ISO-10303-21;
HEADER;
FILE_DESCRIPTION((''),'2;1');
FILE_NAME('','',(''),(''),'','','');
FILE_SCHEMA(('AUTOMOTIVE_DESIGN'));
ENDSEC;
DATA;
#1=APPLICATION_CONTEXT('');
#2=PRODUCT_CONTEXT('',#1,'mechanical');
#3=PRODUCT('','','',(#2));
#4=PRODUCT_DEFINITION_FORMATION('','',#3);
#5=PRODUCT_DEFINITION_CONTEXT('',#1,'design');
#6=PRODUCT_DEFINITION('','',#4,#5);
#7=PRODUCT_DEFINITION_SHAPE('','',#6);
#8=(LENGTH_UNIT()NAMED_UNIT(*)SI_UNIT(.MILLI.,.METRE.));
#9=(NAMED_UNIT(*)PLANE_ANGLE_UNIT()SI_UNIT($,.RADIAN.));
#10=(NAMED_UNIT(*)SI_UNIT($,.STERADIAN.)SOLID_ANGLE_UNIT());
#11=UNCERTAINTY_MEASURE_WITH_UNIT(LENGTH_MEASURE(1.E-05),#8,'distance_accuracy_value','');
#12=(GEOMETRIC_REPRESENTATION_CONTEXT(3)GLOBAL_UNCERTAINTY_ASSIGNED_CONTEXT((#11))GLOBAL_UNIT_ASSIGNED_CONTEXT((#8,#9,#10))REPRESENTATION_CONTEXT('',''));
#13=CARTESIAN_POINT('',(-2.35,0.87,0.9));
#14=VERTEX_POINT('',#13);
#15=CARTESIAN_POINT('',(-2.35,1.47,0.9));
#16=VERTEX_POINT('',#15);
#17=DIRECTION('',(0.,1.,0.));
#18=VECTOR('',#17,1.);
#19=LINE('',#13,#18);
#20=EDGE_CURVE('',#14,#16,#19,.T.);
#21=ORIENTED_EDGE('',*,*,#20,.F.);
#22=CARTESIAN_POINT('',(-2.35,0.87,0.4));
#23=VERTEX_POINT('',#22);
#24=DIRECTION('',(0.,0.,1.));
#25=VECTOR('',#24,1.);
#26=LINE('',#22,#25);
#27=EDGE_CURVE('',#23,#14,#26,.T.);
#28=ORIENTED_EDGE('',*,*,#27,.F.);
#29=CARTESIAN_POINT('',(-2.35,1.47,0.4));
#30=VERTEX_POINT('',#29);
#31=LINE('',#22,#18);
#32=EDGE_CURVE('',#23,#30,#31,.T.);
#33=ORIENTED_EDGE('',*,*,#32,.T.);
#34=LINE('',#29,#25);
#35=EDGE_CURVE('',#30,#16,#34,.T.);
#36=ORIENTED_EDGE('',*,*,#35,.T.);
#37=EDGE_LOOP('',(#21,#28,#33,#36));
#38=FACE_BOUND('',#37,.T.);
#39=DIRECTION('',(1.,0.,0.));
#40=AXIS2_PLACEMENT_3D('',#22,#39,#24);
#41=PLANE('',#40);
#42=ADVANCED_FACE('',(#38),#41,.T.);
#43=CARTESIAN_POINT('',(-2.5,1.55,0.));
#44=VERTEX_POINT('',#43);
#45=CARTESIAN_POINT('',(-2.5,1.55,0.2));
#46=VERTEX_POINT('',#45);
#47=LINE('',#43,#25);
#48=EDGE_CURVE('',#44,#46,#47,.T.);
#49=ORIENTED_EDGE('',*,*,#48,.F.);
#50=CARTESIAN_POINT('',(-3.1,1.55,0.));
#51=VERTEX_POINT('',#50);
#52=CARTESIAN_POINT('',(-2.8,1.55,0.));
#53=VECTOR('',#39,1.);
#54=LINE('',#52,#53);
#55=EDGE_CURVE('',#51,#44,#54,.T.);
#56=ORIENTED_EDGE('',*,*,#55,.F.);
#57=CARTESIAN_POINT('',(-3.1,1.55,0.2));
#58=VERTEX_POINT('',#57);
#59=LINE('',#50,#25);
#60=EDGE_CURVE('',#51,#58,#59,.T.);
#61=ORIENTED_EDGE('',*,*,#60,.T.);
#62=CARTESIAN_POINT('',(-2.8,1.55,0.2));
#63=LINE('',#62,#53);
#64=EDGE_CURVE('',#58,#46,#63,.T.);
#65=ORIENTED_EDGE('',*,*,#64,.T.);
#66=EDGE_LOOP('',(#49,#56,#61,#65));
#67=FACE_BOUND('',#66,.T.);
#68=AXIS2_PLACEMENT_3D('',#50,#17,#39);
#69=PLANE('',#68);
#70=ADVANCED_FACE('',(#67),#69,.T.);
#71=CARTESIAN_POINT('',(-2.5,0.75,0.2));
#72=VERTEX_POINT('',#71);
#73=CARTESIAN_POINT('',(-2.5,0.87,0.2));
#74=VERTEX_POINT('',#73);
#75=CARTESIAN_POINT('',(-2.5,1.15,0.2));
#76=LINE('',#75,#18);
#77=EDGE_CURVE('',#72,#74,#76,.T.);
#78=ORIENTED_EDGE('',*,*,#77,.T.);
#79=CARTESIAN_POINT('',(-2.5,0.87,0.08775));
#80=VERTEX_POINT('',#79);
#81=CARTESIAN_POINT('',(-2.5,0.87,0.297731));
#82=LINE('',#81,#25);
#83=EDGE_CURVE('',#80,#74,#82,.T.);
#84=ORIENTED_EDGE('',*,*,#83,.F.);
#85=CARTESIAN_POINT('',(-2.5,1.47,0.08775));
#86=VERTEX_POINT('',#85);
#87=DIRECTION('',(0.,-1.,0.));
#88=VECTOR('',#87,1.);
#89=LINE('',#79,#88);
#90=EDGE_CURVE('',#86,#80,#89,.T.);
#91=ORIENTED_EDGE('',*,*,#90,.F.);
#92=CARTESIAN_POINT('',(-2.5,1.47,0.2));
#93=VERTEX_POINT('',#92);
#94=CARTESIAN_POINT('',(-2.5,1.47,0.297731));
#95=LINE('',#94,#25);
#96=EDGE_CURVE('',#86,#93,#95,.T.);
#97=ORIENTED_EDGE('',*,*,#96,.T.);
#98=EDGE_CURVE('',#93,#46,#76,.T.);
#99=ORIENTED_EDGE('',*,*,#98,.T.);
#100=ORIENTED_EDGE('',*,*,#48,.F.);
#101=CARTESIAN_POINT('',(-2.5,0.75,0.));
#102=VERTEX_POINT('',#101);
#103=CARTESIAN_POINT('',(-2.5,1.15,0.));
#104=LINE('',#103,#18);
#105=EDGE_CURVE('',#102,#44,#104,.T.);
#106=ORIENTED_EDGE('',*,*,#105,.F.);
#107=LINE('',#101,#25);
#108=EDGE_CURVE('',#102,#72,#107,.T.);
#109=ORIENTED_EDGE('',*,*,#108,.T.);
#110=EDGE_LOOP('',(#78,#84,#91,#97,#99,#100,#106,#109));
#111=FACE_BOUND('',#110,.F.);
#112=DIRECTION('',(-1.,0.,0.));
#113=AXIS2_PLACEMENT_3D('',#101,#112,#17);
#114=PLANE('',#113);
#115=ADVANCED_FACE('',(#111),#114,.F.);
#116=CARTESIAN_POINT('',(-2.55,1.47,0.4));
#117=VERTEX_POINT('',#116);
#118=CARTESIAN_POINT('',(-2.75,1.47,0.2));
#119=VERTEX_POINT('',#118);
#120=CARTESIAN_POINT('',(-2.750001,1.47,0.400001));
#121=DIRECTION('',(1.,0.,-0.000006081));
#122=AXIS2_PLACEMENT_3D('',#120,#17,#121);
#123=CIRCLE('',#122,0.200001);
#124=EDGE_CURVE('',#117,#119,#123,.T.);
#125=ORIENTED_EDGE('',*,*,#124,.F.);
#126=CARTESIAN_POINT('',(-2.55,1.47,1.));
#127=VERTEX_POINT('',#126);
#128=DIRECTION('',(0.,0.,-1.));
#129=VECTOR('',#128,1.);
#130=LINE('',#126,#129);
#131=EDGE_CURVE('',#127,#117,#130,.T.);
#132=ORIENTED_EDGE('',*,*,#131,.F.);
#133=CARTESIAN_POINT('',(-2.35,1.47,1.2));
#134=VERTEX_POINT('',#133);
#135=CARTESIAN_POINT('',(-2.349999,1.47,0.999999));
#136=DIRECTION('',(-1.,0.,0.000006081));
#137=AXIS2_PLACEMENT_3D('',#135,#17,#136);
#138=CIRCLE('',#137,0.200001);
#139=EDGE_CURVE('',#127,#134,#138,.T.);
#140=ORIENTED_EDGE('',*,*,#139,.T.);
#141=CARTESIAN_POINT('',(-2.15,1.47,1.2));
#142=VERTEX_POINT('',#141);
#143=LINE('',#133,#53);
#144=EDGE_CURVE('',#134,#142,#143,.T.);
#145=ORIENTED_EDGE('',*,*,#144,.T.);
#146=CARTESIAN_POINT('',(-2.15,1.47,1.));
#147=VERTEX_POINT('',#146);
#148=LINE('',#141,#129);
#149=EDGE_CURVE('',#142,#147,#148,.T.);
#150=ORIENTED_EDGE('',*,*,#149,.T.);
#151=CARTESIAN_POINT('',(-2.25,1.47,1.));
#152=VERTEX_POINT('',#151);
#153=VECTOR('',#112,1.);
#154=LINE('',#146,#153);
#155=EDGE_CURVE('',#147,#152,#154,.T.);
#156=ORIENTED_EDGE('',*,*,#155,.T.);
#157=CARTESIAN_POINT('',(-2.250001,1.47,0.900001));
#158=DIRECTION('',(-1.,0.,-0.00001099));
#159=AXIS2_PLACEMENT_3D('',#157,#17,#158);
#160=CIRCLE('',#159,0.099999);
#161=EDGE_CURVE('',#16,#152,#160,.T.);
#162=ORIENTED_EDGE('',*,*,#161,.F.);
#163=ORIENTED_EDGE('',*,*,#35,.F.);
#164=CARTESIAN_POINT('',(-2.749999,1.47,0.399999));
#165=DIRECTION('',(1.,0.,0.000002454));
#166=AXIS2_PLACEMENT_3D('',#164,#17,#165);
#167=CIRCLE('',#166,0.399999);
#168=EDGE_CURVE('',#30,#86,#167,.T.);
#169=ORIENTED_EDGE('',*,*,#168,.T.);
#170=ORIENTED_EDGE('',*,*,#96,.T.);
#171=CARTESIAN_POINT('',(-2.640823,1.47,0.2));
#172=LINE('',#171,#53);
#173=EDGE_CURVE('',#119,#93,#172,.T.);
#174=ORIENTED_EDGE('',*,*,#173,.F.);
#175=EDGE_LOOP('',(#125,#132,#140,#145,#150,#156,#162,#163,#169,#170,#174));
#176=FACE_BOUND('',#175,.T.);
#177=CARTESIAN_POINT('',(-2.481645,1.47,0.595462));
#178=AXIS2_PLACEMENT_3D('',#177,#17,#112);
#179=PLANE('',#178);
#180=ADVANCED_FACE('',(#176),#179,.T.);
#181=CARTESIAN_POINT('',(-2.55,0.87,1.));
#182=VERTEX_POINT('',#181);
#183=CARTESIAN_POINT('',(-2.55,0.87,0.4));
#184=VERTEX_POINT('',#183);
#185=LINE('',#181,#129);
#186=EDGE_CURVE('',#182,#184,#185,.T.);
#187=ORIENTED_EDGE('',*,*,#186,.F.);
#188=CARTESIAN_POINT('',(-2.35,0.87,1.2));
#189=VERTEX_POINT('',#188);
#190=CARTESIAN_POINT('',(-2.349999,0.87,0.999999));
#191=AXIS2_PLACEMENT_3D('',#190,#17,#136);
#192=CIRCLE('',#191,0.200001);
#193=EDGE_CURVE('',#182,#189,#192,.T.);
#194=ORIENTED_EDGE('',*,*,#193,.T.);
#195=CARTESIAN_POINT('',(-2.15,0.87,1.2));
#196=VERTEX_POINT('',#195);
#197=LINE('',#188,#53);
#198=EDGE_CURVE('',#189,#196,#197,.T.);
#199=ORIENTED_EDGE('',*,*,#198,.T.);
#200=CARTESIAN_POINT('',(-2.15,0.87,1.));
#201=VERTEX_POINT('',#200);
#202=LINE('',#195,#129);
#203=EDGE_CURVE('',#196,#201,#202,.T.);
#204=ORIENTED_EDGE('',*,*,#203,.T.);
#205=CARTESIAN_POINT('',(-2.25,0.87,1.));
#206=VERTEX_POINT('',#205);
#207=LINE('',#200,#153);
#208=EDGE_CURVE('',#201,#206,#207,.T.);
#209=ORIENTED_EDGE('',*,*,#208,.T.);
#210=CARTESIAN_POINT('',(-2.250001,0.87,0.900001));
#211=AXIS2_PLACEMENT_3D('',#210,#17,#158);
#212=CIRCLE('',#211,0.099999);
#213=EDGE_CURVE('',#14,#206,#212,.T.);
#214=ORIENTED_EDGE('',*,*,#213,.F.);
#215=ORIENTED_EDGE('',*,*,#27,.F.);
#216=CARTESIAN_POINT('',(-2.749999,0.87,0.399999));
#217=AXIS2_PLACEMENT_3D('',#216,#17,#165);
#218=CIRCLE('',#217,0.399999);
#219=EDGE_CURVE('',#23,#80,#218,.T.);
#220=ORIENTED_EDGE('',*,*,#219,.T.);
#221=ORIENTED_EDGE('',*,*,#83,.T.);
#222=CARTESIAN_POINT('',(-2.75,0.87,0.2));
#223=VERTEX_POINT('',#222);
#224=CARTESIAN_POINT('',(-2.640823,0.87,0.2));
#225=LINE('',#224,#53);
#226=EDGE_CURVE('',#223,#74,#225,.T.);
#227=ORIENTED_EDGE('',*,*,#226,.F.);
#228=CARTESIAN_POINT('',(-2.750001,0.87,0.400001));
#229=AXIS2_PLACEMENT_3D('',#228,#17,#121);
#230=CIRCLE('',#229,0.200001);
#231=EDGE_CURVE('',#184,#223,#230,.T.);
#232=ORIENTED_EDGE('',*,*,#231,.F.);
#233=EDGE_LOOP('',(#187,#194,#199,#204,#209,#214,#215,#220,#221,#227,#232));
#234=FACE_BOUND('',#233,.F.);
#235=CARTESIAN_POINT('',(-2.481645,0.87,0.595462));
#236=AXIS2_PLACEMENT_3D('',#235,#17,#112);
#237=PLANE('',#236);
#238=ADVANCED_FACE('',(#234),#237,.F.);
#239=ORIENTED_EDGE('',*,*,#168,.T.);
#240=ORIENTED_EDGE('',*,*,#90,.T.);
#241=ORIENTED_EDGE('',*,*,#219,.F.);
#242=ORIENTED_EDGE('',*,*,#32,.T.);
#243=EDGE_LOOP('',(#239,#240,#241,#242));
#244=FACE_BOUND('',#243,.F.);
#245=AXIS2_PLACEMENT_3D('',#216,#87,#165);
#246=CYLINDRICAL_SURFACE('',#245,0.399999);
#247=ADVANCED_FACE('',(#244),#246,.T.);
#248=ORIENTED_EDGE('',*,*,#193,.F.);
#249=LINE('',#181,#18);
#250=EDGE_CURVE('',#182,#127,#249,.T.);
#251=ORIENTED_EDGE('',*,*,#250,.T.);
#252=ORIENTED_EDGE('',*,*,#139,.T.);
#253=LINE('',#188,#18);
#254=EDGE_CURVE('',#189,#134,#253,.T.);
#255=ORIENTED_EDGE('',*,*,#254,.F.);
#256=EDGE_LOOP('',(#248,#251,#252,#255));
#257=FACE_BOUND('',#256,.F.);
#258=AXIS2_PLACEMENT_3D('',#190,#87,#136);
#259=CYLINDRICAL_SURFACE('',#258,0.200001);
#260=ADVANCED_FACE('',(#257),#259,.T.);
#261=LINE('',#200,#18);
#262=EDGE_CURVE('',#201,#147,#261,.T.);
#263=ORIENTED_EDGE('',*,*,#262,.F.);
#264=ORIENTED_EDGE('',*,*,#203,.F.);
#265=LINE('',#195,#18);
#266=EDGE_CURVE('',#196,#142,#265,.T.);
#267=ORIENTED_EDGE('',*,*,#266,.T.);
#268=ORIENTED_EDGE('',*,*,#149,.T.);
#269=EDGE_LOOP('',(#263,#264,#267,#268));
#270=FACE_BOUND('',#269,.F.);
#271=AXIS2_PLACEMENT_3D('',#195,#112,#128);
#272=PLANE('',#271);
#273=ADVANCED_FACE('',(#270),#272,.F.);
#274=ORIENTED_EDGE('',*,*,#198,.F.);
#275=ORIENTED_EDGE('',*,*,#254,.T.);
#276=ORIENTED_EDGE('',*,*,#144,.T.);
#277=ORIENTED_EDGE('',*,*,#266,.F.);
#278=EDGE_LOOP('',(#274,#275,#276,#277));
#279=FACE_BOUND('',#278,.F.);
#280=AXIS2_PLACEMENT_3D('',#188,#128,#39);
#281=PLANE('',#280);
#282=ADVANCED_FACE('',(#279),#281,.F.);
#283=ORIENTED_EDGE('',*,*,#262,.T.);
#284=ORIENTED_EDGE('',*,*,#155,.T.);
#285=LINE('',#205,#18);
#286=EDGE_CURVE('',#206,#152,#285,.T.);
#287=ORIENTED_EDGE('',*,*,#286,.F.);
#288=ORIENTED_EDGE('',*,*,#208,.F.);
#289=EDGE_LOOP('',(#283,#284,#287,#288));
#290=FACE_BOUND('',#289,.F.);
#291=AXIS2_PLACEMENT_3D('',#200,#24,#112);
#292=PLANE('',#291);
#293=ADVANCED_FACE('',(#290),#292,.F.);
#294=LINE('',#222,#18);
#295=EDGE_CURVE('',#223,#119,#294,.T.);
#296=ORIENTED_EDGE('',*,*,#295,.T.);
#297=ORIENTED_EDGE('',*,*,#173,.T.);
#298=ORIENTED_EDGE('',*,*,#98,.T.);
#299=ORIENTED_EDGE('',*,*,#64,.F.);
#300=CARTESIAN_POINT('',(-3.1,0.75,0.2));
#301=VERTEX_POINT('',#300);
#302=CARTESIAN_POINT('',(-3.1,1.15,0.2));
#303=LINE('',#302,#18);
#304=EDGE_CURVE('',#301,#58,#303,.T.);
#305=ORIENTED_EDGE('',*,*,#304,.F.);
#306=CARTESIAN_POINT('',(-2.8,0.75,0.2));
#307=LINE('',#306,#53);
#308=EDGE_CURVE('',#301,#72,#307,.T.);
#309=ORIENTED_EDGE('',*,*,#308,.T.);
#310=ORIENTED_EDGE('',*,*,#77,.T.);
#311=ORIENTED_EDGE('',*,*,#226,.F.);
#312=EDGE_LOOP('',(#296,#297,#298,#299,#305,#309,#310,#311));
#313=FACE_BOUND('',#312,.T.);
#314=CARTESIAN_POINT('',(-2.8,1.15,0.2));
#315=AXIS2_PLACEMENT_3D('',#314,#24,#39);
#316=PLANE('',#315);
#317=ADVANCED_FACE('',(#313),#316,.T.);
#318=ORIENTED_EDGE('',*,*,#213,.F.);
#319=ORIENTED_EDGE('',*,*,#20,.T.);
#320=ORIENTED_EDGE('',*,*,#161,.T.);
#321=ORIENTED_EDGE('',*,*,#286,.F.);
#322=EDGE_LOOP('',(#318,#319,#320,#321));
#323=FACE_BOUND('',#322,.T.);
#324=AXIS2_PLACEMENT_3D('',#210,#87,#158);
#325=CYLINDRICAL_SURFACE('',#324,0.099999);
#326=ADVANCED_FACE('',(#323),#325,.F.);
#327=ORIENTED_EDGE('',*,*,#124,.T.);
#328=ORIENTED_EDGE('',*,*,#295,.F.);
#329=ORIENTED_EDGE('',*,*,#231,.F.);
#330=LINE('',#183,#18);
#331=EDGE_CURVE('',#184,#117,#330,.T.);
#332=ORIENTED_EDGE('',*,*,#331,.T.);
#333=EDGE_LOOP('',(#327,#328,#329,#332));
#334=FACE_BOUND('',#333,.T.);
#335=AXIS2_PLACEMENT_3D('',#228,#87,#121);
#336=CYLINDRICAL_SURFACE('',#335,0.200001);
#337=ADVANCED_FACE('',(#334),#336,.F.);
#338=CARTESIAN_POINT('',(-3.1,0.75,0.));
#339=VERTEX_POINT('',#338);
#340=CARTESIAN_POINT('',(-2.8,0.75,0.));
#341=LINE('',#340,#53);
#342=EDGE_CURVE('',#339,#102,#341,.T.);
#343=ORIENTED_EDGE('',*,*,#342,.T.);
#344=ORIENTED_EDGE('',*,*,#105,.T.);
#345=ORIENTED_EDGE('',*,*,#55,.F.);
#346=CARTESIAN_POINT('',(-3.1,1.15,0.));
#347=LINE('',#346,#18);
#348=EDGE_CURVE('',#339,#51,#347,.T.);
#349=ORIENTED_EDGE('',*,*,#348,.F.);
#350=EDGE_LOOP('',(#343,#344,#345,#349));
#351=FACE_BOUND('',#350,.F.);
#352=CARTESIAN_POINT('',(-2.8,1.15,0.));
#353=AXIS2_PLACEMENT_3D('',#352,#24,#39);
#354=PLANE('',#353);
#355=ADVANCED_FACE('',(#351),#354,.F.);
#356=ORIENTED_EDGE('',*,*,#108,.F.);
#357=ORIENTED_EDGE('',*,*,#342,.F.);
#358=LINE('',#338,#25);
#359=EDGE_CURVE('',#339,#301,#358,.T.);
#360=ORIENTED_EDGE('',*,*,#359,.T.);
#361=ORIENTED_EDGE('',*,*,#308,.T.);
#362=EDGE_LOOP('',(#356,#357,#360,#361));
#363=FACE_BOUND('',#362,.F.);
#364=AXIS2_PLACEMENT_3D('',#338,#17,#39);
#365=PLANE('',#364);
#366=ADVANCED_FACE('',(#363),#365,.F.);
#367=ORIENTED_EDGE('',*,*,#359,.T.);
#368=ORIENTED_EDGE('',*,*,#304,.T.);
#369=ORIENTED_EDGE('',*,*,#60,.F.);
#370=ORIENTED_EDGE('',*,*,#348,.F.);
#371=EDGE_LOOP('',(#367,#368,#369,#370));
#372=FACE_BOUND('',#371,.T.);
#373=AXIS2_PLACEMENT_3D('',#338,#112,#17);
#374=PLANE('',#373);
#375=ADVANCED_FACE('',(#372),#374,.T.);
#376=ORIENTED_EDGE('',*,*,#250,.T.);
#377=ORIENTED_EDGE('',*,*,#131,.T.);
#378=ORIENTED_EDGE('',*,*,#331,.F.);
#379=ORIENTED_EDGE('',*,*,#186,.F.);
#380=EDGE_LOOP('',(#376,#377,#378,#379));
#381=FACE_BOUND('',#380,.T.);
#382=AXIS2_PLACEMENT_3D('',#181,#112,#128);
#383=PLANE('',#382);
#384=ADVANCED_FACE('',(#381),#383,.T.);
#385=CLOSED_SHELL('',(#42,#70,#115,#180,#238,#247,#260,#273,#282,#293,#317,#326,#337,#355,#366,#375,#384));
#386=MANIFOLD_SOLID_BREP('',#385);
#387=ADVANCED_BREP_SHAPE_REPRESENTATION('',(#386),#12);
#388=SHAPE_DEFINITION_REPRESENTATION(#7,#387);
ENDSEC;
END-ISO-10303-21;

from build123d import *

# Parameters (mm, degrees)
BOX038_W                = 0.6
BOX038_H                = 0.8
BOX038_DEPTH            = 0.2
PAD003_DEPTH            = 0.6
BODY003_PLACEMENT_ANGLE = 180


with BuildPart() as kub038:
    # Box038 → Box038 (new body)
    with BuildSketch(Plane(origin=(-3.1, 0.75, 0), x_dir=(1, 0, 0), z_dir=(0, 0, 1))):
        with Locations((0.3, 0.4)):
            Rectangle(BOX038_W, BOX038_H)
    extrude(amount=BOX038_DEPTH)


with BuildPart() as fusion005:
    # Sketch003 → Pad003 (new body)
    with BuildSketch(Plane.XZ):
        with BuildLine():
            ThreePointArc((3.7, 1), (3.641421, 1.141421), (3.5, 1.2))
            Line((3.5, 1.2), (3.3, 1.2))
            Line((3.3, 1.2), (3.3, 1))
            Line((3.3, 1), (3.4, 1))
            ThreePointArc((3.5, 0.9), (3.470711, 0.970711), (3.4, 1))
            Line((3.5, 0.4), (3.5, 0.9))
            ThreePointArc((3.5, 0.4), (3.617157, 0.117157), (3.9, 0))
            Line((4, 0), (3.9, 0))
            Line((4, 0.2), (4, 0))
            Line((3.9, 0.2), (4, 0.2))
            ThreePointArc((3.7, 0.4), (3.758579, 0.258579), (3.9, 0.2))
            Line((3.7, 1), (3.7, 0.4))
        make_face()
    extrude(amount=PAD003_DEPTH)


with BuildPart() as fusion005_1:
    # Body003 placement: moved
    add(fusion005.part.moved(Location((1.15, 0.87, 0))).rotate(Axis((1.15, 0.87, 0), (0, 0, 1)), BODY003_PLACEMENT_ANGLE))

    # Fusion005: union Kub038
    add(kub038.part)


solid = fusion005_1.part
